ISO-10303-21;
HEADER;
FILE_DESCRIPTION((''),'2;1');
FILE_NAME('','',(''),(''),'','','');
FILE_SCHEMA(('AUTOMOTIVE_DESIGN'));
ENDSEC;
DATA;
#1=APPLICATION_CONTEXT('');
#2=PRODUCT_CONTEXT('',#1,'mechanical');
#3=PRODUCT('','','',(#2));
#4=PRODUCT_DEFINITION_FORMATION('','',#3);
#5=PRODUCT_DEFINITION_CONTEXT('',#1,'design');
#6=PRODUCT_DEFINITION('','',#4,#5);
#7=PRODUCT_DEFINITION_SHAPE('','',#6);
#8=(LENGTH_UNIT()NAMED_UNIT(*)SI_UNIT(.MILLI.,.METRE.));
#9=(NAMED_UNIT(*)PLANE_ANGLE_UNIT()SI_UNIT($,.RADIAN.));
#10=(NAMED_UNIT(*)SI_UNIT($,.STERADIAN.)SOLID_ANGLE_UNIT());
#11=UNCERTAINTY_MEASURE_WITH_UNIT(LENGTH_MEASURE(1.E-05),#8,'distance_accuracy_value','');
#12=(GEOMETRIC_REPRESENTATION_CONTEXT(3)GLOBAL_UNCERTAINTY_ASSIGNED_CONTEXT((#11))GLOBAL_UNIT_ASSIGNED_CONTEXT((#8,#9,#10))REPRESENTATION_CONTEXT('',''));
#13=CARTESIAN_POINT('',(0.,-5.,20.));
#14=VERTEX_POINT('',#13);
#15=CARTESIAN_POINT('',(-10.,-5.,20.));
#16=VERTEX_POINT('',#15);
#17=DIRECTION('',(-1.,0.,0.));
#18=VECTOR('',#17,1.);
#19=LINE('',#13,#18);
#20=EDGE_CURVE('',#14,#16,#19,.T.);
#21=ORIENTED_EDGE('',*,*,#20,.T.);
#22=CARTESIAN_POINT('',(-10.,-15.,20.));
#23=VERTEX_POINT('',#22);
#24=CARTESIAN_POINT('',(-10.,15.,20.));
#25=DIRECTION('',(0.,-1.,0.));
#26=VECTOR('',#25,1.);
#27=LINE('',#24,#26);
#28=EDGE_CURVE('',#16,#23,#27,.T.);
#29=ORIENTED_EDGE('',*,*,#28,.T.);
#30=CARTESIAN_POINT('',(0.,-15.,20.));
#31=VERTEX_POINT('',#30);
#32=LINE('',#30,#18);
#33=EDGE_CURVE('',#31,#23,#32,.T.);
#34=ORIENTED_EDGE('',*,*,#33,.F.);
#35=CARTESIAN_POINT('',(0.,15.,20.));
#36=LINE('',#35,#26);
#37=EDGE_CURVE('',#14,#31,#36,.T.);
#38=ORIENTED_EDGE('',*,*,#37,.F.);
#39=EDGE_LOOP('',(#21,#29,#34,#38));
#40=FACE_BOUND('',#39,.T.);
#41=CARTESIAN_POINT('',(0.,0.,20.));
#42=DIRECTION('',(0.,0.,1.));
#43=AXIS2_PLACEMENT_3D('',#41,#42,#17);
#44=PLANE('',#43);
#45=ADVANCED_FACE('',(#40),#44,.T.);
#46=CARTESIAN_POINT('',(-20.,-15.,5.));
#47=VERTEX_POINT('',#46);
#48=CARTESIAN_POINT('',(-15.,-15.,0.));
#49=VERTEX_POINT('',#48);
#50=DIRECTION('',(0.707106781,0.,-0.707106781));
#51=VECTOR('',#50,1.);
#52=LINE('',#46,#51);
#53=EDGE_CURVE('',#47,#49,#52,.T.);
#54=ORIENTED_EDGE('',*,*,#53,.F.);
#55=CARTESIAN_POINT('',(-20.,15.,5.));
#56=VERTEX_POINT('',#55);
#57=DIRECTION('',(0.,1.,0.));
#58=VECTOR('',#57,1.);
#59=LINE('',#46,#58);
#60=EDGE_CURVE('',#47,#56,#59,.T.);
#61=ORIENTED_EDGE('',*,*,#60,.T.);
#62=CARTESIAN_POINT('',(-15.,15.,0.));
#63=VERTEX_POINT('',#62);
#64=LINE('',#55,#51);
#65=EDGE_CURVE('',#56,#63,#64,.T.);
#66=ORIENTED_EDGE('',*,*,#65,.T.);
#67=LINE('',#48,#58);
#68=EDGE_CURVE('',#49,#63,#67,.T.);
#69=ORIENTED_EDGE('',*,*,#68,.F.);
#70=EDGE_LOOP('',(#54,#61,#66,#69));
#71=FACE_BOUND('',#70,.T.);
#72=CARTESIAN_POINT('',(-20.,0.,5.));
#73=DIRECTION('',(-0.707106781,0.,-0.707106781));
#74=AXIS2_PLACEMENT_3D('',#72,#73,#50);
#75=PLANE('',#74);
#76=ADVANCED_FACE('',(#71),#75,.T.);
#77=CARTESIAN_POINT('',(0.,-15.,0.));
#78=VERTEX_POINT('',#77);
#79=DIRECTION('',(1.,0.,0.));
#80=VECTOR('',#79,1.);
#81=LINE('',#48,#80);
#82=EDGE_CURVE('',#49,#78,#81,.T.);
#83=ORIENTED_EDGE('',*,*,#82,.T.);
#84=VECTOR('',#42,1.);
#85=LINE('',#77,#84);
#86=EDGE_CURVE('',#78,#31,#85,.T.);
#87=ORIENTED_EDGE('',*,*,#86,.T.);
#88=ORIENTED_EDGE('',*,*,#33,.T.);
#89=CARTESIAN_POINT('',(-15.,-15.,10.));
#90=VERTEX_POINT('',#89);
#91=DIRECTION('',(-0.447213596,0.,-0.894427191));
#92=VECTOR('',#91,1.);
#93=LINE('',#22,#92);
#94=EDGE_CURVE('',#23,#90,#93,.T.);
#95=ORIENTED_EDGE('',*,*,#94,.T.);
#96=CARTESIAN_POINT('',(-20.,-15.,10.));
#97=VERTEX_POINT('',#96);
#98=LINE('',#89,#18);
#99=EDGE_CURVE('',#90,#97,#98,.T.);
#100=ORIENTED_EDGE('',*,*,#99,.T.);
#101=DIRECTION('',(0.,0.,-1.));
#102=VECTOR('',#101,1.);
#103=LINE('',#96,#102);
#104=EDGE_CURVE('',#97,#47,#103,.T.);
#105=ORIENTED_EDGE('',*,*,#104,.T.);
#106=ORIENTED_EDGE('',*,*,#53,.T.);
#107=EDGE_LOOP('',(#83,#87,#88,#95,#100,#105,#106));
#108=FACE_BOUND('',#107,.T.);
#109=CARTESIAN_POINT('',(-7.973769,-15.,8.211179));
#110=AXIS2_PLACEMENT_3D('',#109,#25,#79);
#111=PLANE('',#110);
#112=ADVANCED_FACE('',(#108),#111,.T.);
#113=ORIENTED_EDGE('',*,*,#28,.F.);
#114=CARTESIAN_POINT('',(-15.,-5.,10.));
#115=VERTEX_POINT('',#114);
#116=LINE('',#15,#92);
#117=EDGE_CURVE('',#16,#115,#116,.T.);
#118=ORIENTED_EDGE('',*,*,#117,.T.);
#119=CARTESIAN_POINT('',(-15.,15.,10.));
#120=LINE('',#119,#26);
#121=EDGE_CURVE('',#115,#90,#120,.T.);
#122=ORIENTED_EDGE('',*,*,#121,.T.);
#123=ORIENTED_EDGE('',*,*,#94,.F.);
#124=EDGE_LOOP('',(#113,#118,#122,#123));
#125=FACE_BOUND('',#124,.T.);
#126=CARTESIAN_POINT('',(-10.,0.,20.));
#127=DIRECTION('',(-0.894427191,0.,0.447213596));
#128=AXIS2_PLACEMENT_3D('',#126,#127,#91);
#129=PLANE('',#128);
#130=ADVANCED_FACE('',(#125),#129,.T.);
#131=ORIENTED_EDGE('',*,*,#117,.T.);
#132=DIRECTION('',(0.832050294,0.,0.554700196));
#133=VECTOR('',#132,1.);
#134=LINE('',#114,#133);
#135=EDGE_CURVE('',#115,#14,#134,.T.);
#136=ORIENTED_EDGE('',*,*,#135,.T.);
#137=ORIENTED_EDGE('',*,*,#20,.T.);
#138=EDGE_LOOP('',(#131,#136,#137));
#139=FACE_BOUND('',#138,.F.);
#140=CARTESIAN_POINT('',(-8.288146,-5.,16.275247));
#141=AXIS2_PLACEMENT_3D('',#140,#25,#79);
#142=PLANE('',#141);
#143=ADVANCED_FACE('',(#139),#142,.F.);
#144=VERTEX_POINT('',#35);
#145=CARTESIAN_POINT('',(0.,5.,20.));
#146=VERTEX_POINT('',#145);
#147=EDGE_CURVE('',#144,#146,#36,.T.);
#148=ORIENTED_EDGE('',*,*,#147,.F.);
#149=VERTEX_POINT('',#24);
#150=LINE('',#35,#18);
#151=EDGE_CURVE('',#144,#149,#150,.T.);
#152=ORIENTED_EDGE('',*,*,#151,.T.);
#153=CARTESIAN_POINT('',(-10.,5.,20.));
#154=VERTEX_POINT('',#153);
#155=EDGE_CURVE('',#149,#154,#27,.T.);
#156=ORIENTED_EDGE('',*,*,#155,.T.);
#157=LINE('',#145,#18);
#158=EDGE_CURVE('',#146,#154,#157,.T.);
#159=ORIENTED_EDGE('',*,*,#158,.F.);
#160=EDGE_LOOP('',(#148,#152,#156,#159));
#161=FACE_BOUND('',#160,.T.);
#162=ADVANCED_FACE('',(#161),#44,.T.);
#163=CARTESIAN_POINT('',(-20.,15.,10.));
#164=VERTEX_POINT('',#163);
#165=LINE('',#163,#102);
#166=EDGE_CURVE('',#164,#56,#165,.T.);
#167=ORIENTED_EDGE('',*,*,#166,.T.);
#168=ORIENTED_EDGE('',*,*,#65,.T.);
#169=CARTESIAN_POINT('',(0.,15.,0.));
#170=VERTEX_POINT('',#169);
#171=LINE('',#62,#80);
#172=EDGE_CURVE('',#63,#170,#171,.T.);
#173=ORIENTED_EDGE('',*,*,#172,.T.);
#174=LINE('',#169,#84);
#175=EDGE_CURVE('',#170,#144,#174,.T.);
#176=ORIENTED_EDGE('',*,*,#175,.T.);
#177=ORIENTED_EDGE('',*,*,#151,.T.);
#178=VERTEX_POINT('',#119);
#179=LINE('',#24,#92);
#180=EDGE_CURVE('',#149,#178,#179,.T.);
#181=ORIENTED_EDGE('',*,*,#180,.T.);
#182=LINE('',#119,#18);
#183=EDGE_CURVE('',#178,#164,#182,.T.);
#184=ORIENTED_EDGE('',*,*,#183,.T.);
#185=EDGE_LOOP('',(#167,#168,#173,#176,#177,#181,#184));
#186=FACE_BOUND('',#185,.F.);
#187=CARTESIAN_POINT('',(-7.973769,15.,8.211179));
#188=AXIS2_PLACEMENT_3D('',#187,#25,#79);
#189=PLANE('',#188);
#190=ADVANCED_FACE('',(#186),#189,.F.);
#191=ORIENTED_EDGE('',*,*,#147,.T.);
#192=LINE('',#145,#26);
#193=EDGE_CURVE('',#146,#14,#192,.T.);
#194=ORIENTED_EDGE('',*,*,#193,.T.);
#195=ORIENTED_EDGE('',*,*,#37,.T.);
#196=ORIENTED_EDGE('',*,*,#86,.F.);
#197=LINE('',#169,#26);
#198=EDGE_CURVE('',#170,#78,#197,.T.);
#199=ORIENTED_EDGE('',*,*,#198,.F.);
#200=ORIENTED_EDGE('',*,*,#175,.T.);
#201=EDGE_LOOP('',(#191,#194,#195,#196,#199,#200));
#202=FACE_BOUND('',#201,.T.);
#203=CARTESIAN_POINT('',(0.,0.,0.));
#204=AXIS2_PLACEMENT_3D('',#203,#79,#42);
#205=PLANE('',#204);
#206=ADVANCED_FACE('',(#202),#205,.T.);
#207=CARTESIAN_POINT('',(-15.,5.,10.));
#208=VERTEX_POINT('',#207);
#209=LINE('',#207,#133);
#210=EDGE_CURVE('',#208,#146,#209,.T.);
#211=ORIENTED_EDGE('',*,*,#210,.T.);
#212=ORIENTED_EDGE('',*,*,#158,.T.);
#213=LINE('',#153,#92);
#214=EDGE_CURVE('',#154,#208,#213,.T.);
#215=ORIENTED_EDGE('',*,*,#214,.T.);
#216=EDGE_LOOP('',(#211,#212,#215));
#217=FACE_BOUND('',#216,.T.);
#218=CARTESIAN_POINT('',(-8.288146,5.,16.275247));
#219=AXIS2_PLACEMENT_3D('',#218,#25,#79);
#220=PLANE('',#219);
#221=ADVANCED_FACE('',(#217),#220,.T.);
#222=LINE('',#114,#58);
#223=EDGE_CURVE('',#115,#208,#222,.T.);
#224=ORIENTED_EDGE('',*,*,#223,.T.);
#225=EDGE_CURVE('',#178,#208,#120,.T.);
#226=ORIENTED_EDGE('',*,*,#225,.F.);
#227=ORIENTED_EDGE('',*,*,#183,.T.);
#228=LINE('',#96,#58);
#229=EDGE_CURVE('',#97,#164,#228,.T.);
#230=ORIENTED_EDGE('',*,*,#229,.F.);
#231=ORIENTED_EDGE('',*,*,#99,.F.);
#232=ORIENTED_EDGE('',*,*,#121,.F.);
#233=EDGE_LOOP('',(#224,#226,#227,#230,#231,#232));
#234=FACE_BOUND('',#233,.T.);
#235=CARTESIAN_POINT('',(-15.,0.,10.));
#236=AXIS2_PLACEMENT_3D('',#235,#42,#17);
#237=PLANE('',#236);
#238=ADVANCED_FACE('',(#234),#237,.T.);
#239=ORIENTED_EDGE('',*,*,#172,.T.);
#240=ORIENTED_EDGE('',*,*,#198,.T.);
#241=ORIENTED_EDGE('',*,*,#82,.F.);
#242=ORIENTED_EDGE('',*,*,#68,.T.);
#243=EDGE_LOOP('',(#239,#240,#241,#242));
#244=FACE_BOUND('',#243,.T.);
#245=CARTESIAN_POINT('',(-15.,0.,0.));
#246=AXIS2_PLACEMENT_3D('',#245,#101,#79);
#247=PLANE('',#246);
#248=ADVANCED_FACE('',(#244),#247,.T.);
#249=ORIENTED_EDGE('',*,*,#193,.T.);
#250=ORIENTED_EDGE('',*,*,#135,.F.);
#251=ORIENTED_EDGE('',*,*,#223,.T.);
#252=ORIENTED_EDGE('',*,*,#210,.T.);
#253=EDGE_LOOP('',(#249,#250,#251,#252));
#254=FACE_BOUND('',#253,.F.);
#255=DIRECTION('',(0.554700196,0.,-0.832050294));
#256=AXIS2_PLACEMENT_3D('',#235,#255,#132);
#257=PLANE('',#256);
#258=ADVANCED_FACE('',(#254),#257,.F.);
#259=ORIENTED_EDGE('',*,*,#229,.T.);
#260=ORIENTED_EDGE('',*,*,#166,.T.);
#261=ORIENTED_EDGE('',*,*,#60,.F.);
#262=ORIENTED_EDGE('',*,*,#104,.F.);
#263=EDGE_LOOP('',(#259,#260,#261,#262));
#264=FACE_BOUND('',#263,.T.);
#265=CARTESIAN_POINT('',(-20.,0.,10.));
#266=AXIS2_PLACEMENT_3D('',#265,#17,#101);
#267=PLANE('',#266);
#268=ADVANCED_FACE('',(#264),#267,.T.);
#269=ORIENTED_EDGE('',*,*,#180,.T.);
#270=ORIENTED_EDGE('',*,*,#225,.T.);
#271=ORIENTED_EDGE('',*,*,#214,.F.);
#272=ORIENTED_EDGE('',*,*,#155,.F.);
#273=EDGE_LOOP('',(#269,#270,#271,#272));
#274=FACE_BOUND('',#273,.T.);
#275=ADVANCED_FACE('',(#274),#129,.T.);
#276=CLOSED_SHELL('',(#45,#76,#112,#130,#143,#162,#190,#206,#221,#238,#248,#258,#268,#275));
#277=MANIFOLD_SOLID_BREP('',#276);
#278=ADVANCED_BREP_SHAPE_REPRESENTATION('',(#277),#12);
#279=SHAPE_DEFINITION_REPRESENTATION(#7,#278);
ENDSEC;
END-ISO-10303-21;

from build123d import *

# Parameters (mm, degrees)
F1_DEPTH = 15
F2_DEPTH = 5


with BuildPart() as f1:
    # F0 (on Front) → F1 (new body, symmetric)
    with BuildSketch(Plane.XZ):
        Polygon((-15, 0), (0, 0), (0, 20), (-15, 10), (-20, 10), (-20, 5), align=None)
        Polygon((-15, 10), (0, 20), (-10, 20), align=None)
    extrude(amount=F1_DEPTH, both=True)

    # F0 (on Front) → F2 (cut, symmetric)
    with BuildSketch(Plane.XZ):
        Polygon((-15, 10), (0, 20), (-10, 20), align=None)
    extrude(amount=F2_DEPTH, both=True, mode=Mode.SUBTRACT)


solid = f1.part
